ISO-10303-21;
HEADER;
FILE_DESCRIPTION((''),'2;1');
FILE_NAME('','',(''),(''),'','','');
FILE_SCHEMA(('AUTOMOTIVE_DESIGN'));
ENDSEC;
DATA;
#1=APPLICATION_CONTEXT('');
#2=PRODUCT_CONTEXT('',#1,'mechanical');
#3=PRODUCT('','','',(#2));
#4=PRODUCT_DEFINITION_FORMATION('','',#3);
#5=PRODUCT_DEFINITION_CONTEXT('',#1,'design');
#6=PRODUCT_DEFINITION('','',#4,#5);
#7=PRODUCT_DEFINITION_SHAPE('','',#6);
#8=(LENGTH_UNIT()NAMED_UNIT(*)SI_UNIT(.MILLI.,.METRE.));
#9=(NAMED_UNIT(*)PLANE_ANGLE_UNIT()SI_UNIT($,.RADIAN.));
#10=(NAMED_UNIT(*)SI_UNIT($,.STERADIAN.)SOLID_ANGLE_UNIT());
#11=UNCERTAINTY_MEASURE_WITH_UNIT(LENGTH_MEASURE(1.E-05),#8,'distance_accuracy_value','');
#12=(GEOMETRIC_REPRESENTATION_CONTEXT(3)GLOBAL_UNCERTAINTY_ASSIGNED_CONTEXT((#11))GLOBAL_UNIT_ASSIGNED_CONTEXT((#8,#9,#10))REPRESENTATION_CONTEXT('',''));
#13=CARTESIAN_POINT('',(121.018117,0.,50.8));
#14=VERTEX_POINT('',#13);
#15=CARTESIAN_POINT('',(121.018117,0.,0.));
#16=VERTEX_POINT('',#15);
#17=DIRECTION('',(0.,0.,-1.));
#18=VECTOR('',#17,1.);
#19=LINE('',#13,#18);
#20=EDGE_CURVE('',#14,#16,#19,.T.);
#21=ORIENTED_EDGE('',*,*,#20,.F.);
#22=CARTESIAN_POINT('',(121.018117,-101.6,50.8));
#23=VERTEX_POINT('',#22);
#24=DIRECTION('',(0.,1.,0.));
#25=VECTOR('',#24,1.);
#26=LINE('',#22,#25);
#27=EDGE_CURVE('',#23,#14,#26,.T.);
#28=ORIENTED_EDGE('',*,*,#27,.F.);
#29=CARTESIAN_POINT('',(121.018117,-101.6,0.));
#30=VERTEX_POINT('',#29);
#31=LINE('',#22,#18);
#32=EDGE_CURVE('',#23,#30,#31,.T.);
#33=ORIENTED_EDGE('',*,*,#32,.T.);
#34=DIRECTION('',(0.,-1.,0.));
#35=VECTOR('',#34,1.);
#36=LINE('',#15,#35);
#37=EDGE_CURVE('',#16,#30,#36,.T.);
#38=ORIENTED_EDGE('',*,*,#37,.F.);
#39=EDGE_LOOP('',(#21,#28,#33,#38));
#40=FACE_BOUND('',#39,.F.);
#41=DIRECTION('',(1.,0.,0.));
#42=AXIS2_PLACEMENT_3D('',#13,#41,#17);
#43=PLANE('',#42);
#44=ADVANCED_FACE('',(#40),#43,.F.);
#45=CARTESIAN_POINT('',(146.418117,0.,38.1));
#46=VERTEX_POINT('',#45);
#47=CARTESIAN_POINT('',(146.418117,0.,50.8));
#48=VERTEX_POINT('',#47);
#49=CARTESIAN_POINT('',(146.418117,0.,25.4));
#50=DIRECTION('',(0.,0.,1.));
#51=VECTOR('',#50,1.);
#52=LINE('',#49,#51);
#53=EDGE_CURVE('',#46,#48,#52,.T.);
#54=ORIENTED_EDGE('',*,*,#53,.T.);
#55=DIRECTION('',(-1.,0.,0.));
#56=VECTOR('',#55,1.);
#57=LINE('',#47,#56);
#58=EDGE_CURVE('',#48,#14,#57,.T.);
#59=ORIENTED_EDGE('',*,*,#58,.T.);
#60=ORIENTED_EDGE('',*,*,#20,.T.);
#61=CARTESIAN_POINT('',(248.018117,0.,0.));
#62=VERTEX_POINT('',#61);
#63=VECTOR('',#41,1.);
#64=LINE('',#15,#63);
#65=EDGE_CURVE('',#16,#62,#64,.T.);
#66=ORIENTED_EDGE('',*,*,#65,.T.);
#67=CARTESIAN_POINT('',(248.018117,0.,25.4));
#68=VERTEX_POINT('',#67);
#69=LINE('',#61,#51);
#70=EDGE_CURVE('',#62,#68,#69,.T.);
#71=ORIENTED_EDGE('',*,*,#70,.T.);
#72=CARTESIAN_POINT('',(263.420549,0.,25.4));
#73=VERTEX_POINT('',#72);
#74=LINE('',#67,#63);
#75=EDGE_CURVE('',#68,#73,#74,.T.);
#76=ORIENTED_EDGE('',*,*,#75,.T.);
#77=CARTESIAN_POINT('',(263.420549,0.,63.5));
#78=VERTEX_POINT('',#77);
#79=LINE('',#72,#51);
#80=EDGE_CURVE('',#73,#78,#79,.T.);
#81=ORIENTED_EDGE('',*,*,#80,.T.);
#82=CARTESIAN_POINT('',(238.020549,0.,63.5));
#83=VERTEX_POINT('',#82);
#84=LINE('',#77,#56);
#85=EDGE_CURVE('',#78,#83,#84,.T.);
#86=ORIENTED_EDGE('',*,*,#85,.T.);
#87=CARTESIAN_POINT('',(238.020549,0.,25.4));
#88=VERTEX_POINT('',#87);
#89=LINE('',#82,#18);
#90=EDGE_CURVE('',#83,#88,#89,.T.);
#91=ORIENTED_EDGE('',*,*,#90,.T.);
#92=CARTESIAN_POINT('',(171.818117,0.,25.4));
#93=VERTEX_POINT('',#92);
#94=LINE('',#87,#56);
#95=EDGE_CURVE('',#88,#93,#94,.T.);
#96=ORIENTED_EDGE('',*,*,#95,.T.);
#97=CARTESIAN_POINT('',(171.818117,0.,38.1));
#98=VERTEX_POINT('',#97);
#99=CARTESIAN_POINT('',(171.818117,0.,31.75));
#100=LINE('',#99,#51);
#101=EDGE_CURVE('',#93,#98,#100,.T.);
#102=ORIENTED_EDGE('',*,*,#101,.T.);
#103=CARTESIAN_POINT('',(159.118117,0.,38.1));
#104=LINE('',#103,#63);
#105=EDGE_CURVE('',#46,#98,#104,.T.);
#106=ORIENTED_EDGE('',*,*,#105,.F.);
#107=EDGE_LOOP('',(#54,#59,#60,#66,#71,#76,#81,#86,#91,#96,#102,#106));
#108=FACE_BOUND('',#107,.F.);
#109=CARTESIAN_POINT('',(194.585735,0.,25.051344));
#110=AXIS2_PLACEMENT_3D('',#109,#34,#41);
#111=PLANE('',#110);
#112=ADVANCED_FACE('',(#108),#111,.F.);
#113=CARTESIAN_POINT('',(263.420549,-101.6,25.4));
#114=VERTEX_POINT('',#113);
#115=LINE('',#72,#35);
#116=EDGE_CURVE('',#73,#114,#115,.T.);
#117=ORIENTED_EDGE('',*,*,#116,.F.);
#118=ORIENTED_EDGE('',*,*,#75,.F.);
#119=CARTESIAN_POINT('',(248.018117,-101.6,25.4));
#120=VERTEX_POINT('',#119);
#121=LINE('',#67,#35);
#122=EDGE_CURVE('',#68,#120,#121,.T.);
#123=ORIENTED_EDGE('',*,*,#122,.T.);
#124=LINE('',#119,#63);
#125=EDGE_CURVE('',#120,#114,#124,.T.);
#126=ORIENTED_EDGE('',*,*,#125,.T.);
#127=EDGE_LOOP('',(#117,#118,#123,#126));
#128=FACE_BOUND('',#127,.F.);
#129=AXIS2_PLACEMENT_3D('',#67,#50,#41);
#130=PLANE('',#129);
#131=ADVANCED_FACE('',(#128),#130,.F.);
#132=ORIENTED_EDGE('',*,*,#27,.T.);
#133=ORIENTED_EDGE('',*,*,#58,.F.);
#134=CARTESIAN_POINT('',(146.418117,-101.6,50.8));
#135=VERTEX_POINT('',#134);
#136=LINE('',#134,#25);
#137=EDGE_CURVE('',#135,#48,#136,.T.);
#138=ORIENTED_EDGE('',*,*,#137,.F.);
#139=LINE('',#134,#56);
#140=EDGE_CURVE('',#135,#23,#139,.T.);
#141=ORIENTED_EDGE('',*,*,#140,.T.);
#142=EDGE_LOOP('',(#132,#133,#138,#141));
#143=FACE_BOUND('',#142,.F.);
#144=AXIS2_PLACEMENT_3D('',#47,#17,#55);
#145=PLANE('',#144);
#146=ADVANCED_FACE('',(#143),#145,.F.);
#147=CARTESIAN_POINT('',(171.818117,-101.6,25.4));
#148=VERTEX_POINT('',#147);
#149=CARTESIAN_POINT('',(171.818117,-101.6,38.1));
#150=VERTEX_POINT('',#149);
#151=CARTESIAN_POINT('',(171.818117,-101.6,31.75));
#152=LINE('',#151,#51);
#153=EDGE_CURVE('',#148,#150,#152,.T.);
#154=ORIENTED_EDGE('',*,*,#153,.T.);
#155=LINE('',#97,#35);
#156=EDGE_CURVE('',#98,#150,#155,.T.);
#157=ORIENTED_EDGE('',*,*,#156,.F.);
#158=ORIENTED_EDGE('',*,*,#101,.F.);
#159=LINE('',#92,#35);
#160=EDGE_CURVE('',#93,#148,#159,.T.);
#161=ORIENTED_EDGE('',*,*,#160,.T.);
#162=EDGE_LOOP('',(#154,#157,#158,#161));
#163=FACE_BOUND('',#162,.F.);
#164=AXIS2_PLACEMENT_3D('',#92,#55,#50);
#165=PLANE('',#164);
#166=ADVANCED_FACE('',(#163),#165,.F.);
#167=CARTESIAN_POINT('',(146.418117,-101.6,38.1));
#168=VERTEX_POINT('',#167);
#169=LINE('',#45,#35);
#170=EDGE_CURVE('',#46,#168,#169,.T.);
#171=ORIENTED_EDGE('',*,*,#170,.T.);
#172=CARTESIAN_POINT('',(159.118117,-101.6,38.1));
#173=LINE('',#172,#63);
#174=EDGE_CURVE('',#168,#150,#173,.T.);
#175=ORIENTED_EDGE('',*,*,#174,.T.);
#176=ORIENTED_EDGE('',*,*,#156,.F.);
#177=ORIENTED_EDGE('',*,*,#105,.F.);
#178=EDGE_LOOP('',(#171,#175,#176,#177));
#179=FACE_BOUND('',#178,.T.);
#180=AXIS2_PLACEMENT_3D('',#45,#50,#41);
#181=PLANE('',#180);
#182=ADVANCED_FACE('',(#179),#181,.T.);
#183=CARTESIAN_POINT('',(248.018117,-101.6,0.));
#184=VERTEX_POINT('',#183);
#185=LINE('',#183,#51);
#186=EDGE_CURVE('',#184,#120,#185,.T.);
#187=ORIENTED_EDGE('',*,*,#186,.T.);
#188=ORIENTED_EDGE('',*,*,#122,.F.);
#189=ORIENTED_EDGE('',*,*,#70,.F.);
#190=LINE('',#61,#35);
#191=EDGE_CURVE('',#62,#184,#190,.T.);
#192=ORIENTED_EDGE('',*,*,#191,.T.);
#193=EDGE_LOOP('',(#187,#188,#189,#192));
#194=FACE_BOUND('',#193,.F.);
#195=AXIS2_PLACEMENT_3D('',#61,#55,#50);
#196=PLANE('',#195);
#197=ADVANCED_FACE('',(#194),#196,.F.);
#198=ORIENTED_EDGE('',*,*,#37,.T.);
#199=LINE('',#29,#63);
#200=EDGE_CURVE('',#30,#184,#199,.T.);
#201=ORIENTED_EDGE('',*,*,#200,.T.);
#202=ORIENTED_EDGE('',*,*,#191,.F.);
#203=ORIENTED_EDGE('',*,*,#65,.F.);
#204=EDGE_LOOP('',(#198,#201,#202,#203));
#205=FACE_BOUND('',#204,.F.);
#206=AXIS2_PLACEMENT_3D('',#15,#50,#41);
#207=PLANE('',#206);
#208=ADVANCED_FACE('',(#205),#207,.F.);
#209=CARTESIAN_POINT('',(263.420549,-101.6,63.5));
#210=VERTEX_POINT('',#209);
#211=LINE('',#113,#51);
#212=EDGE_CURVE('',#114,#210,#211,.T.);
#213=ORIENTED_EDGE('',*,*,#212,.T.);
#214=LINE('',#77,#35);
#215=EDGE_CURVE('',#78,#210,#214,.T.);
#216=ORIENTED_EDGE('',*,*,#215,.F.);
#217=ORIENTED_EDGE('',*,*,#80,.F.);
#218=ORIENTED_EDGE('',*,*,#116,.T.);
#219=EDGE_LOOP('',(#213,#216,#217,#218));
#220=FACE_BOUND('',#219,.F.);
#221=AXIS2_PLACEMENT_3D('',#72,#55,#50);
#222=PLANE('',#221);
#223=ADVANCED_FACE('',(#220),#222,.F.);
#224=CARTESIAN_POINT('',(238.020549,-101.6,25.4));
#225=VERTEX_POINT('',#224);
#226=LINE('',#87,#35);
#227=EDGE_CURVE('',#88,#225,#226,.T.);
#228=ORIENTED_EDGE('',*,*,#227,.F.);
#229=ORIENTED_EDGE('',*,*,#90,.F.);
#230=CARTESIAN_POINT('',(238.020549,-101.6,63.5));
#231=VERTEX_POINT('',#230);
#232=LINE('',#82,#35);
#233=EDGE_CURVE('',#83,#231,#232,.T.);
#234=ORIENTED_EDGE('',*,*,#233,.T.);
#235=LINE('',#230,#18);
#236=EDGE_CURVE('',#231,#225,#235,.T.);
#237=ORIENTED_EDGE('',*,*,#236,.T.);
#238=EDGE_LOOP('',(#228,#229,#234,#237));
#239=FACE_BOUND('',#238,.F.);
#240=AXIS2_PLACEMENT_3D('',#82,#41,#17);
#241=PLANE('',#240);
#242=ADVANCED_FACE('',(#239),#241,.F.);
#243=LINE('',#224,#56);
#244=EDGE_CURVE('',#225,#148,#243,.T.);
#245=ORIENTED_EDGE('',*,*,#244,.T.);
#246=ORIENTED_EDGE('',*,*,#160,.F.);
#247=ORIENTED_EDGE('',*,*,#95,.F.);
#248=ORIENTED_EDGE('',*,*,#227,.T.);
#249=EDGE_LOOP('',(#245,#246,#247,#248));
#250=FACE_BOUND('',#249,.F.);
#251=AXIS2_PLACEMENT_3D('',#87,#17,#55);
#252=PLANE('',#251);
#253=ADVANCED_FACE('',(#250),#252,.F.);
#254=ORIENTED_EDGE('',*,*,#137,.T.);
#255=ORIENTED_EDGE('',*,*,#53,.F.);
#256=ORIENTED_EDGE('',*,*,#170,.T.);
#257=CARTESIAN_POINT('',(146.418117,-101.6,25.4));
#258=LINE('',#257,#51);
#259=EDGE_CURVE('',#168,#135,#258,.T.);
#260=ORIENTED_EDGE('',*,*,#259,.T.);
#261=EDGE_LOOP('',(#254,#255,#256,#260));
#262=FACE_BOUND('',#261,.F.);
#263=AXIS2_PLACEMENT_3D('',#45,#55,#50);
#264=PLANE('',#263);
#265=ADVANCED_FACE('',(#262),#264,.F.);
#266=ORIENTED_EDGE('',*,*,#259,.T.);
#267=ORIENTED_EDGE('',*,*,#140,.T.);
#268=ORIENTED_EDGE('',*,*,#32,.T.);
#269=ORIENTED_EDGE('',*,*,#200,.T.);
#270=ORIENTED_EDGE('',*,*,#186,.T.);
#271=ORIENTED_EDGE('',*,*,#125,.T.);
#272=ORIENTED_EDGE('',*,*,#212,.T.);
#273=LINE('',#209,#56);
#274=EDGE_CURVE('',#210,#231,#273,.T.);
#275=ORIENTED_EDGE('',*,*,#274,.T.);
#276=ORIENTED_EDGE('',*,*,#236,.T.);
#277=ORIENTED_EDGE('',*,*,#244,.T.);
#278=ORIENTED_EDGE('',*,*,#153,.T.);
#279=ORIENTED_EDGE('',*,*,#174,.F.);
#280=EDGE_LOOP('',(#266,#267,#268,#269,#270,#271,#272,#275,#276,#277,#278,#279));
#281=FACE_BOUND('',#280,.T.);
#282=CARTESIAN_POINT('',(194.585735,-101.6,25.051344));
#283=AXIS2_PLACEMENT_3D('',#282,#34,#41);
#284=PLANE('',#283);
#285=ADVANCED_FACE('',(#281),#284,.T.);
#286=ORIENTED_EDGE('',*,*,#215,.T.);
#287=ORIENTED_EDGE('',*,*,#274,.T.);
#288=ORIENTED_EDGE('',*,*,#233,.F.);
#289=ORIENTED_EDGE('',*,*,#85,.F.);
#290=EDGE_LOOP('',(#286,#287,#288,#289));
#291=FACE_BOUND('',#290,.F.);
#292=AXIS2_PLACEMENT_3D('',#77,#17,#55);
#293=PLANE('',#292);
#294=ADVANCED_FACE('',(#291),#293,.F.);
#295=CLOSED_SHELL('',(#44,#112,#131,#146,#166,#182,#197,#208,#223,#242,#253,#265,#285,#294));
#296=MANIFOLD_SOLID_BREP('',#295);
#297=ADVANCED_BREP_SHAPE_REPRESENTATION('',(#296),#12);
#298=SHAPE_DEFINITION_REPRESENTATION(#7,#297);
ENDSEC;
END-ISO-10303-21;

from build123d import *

# Parameters (mm, degrees)
F0_W     = 25.4
F0_H     = 12.7
F1_DEPTH = 101.6
F2_DEPTH = 25.4


with BuildPart() as f1:
    # F0 (on Front) → F1 (new body)
    with BuildSketch(Plane.XZ):
        Polygon((121.018117, 50.8), (121.018117, 0), (248.018117, 0), (248.018117, 25.4), (263.420549, 25.4), (263.420549, 63.5), (238.020549, 63.5), (238.020549, 25.4), (216.686985, 25.4), (181.552551, 25.4), (171.818117, 25.4), (146.418117, 25.4), (146.418117, 38.1), (146.418117, 50.8), align=None)
        with Locations((159.118117, 31.75)):
            Rectangle(F0_W, F0_H)
    extrude(amount=F1_DEPTH)

    # F0 (on Front) → F2 (join)
    with BuildSketch(Plane.XZ):
        Polygon((121.018117, 50.8), (121.018117, 0), (248.018117, 0), (248.018117, 25.4), (263.420549, 25.4), (263.420549, 63.5), (238.020549, 63.5), (238.020549, 25.4), (216.686985, 25.4), (181.552551, 25.4), (171.818117, 25.4), (146.418117, 25.4), (146.418117, 38.1), (146.418117, 50.8), align=None)
        with Locations((159.118117, 31.75)):
            Rectangle(F0_W, F0_H)
    extrude(amount=F2_DEPTH)


solid = f1.part
